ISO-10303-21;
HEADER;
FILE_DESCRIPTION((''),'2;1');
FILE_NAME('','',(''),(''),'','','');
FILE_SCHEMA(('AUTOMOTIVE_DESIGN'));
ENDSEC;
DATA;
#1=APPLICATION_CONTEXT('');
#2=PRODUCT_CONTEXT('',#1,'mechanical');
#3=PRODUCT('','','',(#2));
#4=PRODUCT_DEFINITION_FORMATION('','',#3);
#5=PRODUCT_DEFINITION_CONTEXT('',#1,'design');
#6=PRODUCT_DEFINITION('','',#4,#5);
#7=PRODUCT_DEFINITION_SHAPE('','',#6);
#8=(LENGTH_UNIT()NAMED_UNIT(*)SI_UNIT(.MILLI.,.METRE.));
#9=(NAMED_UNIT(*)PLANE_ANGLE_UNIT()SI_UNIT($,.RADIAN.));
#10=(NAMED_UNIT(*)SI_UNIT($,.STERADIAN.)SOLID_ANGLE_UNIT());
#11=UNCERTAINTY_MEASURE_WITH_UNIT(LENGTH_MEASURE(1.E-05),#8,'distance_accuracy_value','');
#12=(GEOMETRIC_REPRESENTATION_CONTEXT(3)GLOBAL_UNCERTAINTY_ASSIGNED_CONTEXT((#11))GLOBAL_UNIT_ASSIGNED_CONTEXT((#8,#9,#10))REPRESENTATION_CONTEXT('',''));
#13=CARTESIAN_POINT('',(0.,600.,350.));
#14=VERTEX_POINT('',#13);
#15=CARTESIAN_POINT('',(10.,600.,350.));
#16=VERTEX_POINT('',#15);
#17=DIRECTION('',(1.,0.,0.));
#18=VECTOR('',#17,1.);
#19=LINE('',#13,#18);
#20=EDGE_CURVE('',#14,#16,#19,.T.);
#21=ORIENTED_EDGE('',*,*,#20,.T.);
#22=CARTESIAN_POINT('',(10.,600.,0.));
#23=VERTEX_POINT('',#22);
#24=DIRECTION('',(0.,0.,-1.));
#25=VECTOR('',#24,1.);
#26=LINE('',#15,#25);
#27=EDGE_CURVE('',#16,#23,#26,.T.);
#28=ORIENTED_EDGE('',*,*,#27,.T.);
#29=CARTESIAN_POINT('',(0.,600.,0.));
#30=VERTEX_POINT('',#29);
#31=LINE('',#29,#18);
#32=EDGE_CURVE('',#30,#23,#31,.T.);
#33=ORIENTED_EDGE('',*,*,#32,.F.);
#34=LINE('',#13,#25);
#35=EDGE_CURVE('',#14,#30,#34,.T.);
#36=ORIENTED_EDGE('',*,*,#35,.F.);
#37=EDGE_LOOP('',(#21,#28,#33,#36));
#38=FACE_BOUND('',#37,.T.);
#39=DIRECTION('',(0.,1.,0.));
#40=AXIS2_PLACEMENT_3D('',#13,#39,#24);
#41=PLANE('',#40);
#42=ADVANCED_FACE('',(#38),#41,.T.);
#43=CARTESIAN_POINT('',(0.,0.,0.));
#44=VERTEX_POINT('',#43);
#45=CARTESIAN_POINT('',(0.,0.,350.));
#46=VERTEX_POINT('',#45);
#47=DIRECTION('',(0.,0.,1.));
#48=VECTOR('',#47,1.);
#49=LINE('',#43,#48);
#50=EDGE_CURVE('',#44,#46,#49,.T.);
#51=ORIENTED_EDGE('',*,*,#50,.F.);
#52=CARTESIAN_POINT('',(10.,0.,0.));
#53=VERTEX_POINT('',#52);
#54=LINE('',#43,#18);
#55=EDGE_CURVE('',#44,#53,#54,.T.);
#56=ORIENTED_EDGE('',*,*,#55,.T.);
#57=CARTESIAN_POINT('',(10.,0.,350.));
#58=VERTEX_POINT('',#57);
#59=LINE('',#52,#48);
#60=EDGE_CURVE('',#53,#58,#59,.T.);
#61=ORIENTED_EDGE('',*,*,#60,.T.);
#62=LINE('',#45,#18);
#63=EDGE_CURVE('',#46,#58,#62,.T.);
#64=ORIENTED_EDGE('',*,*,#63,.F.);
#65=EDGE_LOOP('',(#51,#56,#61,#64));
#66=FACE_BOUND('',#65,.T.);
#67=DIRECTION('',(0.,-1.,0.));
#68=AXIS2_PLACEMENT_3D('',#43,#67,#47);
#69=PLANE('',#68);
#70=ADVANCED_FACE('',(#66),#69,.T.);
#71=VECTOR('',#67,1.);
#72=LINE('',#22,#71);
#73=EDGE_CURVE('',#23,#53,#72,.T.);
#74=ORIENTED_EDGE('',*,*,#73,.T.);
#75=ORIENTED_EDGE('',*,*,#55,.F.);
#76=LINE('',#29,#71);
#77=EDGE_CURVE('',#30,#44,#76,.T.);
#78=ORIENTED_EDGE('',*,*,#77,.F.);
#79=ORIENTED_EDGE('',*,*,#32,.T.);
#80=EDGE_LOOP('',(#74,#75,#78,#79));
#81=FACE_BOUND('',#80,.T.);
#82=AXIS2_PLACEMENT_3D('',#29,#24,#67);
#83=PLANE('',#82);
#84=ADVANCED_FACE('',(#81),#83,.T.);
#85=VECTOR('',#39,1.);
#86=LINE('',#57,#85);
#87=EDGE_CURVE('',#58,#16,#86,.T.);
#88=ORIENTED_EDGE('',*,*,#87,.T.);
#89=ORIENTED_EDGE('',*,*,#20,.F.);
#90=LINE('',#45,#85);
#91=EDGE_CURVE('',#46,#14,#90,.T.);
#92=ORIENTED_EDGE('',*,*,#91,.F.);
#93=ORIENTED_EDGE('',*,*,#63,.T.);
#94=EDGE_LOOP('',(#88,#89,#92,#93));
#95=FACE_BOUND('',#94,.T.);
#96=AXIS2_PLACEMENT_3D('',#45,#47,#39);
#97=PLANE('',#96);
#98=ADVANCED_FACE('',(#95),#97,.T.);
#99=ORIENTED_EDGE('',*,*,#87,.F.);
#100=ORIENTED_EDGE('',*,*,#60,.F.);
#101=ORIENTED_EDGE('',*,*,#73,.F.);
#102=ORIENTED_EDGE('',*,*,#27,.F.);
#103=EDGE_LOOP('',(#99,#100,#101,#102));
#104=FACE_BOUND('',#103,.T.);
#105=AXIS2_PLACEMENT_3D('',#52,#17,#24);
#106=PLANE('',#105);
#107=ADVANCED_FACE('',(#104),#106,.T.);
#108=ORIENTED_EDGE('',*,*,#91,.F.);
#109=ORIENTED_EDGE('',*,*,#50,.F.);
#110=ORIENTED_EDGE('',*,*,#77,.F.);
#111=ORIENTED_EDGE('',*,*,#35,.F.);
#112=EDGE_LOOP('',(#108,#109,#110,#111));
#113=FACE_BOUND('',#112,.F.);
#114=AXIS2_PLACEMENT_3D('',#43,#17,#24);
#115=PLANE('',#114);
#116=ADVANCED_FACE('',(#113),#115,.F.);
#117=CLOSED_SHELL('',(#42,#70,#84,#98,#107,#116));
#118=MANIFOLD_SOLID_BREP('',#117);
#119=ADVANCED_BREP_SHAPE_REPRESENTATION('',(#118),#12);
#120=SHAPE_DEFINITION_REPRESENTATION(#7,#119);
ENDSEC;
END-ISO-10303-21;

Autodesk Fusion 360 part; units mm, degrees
sketch "Sketch1" plane through (0, 0, 0) normal (1, 0, 0) x (0, 0, -1)
  line L0 (0, 0) -> (-350, 0)
  line L1 (-350, 0) -> (-350, 600)
  line L2 (-350, 600) -> (0, 600)
  line L3 (0, 600) -> (0, 0)
  dimension "d1" = 350
  dimension "d2" = 600
extrude "Extrude1" add sketch "Sketch1" along normal blind 10
